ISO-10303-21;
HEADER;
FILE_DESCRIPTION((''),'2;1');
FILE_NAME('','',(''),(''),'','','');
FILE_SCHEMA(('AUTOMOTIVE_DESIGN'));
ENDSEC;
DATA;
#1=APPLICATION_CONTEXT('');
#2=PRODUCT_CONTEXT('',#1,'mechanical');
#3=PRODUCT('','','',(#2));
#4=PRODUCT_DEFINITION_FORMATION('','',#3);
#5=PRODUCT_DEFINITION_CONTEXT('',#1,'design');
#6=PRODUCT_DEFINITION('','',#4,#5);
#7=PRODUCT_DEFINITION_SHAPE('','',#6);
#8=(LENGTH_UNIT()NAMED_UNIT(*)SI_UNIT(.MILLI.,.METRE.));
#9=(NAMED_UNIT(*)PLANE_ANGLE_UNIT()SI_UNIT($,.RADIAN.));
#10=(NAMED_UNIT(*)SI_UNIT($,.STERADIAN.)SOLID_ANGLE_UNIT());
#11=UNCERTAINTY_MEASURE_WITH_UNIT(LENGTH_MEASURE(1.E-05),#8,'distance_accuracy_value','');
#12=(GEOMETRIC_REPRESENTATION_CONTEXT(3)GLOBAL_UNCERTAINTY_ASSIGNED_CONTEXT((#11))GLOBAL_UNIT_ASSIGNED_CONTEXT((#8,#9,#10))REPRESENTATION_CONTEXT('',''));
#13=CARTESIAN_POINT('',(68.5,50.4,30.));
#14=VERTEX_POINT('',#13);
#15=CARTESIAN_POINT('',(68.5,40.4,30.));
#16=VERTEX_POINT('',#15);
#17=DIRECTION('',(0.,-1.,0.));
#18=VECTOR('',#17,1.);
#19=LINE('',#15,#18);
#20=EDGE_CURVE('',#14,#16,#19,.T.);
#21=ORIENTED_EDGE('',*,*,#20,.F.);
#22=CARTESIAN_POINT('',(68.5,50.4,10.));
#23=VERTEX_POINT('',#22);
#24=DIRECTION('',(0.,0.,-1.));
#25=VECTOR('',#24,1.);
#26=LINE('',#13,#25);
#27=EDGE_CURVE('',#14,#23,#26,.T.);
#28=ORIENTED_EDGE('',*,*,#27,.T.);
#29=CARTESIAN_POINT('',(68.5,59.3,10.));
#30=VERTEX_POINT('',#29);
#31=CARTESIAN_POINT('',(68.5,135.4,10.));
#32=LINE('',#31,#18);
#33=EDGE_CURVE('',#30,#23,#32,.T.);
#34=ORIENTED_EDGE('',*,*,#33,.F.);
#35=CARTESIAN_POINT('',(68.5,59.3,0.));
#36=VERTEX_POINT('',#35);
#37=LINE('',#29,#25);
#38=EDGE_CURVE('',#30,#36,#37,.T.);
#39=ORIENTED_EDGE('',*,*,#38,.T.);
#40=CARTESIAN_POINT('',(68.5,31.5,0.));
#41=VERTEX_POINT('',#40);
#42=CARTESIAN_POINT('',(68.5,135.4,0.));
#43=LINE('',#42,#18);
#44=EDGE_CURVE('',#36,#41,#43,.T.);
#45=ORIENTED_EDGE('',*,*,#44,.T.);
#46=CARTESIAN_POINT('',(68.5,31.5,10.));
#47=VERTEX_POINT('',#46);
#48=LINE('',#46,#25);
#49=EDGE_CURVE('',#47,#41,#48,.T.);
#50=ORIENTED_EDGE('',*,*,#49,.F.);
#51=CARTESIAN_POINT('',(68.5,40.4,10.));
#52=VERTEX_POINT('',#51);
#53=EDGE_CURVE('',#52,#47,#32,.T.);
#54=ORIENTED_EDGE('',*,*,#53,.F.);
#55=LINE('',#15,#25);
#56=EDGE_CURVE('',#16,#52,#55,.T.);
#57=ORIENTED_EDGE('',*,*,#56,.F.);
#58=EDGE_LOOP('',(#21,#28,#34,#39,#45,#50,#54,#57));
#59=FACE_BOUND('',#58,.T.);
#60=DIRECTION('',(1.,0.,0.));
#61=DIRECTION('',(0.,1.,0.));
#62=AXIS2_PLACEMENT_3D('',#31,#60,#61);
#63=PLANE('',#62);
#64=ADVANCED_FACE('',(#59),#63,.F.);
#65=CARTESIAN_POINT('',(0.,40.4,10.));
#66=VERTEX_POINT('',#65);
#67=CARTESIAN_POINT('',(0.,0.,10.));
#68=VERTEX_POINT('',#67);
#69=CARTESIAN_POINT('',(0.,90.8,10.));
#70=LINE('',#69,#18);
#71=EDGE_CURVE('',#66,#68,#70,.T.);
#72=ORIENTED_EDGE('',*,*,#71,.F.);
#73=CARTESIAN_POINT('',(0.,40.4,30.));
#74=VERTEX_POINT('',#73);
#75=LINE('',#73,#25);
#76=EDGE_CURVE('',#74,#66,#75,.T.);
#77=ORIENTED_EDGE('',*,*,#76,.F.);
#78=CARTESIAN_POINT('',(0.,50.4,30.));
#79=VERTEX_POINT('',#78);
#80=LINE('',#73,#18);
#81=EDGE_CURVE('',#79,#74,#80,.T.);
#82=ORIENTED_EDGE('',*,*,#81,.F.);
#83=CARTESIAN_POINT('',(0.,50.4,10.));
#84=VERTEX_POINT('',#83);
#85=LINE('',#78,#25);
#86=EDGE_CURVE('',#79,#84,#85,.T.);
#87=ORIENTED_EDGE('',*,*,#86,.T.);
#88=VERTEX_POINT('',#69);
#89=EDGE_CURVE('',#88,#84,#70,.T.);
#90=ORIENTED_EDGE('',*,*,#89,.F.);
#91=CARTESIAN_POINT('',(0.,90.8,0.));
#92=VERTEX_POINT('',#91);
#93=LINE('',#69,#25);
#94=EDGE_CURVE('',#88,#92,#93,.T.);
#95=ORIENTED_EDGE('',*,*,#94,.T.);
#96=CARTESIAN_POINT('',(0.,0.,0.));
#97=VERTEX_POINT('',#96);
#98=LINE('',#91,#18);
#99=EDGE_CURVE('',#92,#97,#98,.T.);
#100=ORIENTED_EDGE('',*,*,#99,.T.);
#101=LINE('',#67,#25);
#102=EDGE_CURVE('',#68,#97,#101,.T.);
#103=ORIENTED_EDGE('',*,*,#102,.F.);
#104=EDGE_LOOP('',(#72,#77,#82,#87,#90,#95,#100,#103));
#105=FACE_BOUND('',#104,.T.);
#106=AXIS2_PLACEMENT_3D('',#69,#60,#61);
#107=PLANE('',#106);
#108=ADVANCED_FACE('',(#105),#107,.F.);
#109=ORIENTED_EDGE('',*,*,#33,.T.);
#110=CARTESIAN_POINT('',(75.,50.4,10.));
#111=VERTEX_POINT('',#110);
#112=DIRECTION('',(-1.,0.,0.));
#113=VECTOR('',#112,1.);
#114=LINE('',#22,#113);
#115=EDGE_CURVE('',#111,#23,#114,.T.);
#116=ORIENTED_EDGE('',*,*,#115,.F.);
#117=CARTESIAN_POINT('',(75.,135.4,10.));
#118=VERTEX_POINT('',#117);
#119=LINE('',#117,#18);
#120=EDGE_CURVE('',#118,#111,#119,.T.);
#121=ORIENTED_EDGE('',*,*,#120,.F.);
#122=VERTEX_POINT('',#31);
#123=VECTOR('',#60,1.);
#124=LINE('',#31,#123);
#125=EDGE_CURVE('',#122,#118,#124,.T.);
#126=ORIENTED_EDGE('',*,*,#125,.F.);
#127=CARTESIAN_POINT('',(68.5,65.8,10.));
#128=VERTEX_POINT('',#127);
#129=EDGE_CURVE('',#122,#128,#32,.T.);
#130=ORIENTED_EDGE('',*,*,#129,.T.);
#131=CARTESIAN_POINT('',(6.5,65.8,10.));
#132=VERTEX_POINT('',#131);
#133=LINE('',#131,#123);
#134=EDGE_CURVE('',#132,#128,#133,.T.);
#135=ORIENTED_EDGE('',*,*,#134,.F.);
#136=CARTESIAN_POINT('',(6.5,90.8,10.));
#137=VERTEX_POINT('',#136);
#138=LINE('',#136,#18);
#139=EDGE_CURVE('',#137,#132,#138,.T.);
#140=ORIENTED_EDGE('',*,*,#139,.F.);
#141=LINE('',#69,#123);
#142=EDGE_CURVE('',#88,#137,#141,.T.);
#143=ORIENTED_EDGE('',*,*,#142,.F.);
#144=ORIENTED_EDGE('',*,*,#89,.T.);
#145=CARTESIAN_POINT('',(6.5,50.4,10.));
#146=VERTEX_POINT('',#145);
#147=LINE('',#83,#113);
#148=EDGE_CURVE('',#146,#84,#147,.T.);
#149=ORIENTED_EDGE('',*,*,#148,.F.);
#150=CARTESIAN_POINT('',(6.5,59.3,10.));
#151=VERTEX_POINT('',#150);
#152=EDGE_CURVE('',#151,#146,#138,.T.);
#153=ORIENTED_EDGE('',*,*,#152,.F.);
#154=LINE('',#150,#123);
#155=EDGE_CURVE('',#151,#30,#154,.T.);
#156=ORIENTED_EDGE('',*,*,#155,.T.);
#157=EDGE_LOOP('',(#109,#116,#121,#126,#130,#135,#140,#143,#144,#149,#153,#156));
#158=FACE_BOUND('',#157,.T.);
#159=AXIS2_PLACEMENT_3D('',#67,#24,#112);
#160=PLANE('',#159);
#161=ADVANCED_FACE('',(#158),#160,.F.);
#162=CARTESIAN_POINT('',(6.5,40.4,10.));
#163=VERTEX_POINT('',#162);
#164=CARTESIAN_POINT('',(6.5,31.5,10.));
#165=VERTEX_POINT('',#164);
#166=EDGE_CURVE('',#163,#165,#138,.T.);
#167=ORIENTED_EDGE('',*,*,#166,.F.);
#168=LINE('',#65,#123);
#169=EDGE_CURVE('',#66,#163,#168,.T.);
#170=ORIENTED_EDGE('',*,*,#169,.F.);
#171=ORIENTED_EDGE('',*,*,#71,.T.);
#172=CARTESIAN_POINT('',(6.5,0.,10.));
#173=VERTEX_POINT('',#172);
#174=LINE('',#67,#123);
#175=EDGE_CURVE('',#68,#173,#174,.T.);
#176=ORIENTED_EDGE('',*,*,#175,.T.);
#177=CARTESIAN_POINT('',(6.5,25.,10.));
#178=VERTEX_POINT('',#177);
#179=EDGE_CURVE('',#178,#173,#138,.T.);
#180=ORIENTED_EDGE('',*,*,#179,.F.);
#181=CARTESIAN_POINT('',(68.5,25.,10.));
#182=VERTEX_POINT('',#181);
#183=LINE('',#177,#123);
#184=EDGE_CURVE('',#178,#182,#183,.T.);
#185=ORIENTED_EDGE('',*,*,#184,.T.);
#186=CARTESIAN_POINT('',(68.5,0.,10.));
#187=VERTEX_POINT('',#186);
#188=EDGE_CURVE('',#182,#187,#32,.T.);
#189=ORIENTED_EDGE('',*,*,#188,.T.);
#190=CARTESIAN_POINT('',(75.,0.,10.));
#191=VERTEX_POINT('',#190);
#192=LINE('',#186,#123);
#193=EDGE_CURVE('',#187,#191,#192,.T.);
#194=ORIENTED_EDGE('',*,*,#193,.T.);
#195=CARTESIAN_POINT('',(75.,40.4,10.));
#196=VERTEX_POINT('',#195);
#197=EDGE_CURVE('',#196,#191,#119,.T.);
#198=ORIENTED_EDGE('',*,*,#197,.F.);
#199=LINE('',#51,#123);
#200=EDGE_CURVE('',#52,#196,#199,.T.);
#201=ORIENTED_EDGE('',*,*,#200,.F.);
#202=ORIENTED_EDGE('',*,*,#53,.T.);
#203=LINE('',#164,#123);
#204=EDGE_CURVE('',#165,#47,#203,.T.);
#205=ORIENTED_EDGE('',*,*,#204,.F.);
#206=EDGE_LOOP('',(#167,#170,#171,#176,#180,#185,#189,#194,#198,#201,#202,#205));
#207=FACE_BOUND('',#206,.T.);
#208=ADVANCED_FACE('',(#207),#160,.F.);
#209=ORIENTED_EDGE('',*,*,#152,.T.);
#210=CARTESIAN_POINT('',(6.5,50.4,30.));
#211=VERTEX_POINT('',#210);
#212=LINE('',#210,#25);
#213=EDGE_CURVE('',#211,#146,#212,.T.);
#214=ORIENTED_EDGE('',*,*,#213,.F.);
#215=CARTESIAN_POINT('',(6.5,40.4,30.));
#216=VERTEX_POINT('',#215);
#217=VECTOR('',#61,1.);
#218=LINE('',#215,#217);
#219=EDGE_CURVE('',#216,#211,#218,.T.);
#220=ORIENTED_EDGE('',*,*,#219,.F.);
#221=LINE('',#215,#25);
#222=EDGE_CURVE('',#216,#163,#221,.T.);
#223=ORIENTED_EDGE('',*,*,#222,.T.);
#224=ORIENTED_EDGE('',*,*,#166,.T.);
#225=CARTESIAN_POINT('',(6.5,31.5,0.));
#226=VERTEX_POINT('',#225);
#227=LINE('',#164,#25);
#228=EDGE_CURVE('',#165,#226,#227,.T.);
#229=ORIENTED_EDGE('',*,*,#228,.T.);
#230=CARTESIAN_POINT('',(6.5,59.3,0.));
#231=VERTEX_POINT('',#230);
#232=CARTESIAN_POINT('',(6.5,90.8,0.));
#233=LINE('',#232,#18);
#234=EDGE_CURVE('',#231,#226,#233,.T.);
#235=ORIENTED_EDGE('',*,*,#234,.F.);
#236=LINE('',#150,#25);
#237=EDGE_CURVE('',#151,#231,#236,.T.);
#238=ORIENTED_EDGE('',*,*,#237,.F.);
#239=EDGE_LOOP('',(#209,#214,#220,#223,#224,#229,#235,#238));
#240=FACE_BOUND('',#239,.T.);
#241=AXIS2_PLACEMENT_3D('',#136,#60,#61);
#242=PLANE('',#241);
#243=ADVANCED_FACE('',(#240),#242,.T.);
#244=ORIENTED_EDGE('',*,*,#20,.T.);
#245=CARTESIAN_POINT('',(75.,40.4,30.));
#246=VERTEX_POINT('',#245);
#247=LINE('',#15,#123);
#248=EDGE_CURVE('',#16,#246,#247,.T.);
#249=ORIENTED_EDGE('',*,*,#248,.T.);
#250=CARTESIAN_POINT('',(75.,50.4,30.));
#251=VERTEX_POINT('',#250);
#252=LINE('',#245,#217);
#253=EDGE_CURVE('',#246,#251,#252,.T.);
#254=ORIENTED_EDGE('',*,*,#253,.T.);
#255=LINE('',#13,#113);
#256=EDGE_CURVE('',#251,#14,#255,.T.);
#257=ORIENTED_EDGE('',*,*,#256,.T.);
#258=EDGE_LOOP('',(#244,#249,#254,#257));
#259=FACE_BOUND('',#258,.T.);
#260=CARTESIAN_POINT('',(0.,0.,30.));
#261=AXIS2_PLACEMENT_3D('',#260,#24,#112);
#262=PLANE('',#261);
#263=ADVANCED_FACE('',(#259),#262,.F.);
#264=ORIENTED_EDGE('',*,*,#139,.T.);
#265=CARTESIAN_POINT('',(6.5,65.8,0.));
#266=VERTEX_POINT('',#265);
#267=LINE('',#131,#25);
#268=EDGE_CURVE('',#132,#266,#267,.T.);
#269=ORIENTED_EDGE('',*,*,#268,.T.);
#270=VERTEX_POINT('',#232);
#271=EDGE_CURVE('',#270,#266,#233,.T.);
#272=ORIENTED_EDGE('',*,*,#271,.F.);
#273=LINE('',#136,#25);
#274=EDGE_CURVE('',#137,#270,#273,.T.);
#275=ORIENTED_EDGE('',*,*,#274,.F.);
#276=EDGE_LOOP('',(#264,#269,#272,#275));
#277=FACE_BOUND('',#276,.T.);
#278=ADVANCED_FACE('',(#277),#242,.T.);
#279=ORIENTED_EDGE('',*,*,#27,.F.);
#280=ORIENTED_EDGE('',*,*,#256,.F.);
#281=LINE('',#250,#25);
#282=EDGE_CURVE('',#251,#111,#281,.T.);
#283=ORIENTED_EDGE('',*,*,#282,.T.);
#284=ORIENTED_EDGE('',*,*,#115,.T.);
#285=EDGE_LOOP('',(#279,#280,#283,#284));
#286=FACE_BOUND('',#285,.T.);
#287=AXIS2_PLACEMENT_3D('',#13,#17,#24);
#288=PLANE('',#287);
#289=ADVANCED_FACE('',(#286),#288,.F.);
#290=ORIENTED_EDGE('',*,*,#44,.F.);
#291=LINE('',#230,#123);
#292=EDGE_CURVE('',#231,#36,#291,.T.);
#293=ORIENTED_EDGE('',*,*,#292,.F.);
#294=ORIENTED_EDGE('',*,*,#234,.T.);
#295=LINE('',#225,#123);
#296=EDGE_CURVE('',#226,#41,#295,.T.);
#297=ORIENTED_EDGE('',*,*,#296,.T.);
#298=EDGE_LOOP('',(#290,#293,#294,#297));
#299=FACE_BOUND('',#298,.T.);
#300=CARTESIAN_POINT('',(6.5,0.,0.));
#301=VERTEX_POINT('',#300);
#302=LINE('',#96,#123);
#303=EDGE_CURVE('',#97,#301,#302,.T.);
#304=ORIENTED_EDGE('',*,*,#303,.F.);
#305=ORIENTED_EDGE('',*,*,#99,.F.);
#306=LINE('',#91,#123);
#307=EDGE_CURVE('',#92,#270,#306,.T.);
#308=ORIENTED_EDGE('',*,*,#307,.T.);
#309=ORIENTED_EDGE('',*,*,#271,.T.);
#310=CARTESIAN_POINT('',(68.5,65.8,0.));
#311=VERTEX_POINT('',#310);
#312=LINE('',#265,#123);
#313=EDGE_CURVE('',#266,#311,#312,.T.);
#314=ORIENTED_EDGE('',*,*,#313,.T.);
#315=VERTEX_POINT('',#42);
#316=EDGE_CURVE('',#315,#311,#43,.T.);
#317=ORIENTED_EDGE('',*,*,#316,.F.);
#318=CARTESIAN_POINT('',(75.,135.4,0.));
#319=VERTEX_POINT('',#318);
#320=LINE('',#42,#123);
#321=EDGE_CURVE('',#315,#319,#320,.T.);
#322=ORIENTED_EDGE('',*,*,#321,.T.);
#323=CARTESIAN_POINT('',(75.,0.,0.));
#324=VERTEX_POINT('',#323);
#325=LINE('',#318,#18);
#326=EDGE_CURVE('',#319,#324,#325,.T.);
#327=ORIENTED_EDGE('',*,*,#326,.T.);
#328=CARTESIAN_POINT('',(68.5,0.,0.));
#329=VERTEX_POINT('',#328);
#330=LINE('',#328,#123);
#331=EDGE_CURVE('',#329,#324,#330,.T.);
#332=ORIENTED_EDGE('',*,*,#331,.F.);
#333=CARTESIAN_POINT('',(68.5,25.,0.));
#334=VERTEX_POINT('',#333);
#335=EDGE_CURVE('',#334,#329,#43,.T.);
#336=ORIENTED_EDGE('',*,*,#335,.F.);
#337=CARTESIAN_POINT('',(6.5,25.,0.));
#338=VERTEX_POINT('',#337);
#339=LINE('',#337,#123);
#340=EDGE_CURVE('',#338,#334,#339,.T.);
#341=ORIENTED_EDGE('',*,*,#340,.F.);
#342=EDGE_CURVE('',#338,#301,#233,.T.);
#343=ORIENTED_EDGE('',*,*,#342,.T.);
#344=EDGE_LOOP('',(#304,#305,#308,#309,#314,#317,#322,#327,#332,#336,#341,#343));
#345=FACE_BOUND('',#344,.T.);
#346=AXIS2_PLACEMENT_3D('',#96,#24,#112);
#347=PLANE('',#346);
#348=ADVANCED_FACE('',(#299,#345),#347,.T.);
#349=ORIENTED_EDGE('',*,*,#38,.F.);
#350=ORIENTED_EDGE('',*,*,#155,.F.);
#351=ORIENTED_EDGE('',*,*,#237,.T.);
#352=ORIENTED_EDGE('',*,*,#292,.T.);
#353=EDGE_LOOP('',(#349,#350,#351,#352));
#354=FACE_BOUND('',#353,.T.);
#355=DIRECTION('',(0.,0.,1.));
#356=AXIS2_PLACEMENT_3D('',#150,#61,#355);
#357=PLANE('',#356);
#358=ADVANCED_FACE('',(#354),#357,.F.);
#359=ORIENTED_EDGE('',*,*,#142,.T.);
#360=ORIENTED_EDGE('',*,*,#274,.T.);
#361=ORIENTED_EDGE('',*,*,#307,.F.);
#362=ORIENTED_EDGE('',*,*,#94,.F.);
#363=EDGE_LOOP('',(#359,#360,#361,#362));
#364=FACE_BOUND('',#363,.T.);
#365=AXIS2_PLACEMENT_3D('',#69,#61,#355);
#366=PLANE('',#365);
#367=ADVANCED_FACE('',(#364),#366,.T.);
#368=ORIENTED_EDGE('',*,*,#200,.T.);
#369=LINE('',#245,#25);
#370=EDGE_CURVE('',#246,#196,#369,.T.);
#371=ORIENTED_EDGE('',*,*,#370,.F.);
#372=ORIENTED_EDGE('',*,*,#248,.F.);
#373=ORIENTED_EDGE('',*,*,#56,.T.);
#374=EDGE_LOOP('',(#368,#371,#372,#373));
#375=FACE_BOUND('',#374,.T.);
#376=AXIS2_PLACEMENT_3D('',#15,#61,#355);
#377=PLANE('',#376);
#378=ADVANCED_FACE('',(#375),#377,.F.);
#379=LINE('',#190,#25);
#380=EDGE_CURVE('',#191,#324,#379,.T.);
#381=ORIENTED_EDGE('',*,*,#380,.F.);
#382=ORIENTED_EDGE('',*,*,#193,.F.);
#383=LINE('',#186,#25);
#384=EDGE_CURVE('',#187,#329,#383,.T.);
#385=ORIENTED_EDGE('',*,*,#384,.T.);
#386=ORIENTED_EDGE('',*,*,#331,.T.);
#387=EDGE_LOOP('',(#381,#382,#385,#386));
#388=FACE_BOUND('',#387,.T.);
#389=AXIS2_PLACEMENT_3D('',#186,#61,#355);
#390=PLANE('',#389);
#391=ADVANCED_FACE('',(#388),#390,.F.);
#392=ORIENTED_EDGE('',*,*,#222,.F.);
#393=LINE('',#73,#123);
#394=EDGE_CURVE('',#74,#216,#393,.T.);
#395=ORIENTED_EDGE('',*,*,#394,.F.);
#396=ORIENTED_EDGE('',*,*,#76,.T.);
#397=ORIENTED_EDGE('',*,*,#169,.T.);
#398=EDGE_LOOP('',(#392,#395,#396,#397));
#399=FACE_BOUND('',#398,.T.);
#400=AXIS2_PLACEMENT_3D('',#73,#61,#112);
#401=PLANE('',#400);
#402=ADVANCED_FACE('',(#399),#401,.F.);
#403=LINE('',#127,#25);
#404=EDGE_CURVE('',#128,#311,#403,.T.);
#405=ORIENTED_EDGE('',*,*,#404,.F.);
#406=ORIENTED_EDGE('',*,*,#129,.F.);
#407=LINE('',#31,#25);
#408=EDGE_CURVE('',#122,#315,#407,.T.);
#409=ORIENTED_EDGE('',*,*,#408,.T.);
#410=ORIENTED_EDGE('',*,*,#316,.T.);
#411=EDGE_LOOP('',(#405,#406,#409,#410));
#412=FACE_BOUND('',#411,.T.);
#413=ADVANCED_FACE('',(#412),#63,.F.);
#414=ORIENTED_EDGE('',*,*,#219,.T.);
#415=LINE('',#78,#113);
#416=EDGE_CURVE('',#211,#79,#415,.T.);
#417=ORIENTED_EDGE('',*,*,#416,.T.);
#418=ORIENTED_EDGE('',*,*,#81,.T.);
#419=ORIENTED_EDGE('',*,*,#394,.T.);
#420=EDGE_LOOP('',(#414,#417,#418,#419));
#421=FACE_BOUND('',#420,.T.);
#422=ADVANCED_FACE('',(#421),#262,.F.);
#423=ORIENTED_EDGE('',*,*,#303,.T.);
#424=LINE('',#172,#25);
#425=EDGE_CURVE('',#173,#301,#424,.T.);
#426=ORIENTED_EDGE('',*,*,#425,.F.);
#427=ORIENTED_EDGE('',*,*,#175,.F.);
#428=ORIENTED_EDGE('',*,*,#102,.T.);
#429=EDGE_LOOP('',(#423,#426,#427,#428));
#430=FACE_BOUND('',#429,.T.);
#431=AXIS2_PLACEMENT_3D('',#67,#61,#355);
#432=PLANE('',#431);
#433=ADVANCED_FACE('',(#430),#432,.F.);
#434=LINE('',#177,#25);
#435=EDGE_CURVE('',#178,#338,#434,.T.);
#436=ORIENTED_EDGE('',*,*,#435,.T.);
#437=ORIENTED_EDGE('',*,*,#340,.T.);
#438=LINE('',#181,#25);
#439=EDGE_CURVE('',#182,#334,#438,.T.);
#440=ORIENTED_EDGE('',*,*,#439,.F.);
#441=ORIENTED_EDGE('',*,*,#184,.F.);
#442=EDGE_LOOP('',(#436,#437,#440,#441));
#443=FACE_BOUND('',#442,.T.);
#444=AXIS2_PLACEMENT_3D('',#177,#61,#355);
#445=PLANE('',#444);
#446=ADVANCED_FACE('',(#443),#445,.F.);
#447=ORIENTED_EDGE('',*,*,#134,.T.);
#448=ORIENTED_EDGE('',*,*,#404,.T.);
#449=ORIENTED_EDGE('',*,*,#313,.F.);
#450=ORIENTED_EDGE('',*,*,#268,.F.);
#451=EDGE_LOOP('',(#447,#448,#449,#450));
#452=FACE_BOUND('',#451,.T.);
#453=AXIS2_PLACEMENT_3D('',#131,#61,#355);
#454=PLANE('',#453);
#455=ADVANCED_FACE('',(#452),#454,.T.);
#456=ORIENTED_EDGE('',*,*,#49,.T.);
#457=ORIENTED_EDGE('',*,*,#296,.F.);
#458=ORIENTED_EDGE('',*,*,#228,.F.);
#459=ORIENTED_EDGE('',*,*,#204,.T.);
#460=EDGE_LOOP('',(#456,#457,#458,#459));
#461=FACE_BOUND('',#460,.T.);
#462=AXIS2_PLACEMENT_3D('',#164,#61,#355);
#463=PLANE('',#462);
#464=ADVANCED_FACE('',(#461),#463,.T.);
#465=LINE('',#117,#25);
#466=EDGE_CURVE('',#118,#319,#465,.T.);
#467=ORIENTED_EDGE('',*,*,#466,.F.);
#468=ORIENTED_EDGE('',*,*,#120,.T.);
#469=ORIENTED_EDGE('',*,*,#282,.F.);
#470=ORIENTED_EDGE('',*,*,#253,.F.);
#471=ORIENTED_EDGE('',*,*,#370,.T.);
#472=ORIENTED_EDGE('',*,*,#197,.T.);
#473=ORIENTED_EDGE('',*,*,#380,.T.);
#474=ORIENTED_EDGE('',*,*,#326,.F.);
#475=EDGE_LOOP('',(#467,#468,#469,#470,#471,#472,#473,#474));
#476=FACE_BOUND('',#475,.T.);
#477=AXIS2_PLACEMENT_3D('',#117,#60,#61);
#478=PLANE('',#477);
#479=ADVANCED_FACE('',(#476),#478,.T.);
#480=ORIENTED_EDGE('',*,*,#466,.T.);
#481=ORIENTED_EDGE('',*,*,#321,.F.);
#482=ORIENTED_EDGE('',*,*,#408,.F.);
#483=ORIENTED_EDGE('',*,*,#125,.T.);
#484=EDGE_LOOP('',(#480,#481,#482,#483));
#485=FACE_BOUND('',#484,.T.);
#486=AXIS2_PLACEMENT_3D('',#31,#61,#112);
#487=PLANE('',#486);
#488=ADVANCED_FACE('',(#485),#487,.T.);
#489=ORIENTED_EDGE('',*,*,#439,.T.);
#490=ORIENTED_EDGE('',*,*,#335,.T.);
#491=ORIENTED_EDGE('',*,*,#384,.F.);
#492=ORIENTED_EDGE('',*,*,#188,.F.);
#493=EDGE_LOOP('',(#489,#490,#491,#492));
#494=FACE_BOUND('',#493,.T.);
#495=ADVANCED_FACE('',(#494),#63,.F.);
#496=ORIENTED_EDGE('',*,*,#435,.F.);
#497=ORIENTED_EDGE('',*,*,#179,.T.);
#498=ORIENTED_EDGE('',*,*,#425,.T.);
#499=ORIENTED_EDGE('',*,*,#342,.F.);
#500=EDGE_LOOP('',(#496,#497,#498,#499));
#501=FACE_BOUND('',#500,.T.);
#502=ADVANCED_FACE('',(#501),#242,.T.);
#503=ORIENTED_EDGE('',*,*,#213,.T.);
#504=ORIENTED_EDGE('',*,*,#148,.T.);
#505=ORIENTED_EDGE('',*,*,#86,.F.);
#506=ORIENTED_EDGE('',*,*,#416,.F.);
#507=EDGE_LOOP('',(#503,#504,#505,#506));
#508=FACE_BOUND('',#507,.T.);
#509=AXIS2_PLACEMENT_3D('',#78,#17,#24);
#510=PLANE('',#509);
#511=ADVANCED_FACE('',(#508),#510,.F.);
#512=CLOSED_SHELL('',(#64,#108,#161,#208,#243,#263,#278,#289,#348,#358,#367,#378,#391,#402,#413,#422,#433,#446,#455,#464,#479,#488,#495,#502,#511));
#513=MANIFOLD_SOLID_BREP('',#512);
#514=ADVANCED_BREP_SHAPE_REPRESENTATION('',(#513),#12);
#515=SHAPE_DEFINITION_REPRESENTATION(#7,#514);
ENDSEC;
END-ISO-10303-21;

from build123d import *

# Parameters (mm, degrees)
SKETCH1_W           = 6.5
SKETCH1_H           = 90.8
SKETCH1_H_2         = 135.4
SKETCH1_W_2         = 62
SKETCH1_H_3         = 6.5
BOSS_EXTRUDE1_DEPTH = 10
SKETCH2_W           = 6.5
SKETCH2_H           = 10
BOSS_EXTRUDE2_DEPTH = 20


with BuildPart() as part:
    # Sketch1 → Boss-Extrude1 (new body)
    with BuildSketch(Plane.XY):
        with Locations((3.25, 45.4)):
            Rectangle(SKETCH1_W, SKETCH1_H)
        with Locations((71.75, 67.7)):
            Rectangle(SKETCH1_W, SKETCH1_H_2)
        with Locations((37.5, 28.25)):
            Rectangle(SKETCH1_W_2, SKETCH1_H_3)
        with Locations((37.5, 62.55)):
            Rectangle(SKETCH1_W_2, SKETCH1_H_3)
    extrude(amount=BOSS_EXTRUDE1_DEPTH)

    # Sketch2 → Boss-Extrude2 (add)
    with BuildSketch(Plane.XY.offset(10)):
        with Locations((3.25, 45.4)):
            Rectangle(SKETCH2_W, SKETCH2_H)
        with Locations((71.75, 45.4)):
            Rectangle(SKETCH2_W, SKETCH2_H)
    extrude(amount=BOSS_EXTRUDE2_DEPTH)


solid = part.part
